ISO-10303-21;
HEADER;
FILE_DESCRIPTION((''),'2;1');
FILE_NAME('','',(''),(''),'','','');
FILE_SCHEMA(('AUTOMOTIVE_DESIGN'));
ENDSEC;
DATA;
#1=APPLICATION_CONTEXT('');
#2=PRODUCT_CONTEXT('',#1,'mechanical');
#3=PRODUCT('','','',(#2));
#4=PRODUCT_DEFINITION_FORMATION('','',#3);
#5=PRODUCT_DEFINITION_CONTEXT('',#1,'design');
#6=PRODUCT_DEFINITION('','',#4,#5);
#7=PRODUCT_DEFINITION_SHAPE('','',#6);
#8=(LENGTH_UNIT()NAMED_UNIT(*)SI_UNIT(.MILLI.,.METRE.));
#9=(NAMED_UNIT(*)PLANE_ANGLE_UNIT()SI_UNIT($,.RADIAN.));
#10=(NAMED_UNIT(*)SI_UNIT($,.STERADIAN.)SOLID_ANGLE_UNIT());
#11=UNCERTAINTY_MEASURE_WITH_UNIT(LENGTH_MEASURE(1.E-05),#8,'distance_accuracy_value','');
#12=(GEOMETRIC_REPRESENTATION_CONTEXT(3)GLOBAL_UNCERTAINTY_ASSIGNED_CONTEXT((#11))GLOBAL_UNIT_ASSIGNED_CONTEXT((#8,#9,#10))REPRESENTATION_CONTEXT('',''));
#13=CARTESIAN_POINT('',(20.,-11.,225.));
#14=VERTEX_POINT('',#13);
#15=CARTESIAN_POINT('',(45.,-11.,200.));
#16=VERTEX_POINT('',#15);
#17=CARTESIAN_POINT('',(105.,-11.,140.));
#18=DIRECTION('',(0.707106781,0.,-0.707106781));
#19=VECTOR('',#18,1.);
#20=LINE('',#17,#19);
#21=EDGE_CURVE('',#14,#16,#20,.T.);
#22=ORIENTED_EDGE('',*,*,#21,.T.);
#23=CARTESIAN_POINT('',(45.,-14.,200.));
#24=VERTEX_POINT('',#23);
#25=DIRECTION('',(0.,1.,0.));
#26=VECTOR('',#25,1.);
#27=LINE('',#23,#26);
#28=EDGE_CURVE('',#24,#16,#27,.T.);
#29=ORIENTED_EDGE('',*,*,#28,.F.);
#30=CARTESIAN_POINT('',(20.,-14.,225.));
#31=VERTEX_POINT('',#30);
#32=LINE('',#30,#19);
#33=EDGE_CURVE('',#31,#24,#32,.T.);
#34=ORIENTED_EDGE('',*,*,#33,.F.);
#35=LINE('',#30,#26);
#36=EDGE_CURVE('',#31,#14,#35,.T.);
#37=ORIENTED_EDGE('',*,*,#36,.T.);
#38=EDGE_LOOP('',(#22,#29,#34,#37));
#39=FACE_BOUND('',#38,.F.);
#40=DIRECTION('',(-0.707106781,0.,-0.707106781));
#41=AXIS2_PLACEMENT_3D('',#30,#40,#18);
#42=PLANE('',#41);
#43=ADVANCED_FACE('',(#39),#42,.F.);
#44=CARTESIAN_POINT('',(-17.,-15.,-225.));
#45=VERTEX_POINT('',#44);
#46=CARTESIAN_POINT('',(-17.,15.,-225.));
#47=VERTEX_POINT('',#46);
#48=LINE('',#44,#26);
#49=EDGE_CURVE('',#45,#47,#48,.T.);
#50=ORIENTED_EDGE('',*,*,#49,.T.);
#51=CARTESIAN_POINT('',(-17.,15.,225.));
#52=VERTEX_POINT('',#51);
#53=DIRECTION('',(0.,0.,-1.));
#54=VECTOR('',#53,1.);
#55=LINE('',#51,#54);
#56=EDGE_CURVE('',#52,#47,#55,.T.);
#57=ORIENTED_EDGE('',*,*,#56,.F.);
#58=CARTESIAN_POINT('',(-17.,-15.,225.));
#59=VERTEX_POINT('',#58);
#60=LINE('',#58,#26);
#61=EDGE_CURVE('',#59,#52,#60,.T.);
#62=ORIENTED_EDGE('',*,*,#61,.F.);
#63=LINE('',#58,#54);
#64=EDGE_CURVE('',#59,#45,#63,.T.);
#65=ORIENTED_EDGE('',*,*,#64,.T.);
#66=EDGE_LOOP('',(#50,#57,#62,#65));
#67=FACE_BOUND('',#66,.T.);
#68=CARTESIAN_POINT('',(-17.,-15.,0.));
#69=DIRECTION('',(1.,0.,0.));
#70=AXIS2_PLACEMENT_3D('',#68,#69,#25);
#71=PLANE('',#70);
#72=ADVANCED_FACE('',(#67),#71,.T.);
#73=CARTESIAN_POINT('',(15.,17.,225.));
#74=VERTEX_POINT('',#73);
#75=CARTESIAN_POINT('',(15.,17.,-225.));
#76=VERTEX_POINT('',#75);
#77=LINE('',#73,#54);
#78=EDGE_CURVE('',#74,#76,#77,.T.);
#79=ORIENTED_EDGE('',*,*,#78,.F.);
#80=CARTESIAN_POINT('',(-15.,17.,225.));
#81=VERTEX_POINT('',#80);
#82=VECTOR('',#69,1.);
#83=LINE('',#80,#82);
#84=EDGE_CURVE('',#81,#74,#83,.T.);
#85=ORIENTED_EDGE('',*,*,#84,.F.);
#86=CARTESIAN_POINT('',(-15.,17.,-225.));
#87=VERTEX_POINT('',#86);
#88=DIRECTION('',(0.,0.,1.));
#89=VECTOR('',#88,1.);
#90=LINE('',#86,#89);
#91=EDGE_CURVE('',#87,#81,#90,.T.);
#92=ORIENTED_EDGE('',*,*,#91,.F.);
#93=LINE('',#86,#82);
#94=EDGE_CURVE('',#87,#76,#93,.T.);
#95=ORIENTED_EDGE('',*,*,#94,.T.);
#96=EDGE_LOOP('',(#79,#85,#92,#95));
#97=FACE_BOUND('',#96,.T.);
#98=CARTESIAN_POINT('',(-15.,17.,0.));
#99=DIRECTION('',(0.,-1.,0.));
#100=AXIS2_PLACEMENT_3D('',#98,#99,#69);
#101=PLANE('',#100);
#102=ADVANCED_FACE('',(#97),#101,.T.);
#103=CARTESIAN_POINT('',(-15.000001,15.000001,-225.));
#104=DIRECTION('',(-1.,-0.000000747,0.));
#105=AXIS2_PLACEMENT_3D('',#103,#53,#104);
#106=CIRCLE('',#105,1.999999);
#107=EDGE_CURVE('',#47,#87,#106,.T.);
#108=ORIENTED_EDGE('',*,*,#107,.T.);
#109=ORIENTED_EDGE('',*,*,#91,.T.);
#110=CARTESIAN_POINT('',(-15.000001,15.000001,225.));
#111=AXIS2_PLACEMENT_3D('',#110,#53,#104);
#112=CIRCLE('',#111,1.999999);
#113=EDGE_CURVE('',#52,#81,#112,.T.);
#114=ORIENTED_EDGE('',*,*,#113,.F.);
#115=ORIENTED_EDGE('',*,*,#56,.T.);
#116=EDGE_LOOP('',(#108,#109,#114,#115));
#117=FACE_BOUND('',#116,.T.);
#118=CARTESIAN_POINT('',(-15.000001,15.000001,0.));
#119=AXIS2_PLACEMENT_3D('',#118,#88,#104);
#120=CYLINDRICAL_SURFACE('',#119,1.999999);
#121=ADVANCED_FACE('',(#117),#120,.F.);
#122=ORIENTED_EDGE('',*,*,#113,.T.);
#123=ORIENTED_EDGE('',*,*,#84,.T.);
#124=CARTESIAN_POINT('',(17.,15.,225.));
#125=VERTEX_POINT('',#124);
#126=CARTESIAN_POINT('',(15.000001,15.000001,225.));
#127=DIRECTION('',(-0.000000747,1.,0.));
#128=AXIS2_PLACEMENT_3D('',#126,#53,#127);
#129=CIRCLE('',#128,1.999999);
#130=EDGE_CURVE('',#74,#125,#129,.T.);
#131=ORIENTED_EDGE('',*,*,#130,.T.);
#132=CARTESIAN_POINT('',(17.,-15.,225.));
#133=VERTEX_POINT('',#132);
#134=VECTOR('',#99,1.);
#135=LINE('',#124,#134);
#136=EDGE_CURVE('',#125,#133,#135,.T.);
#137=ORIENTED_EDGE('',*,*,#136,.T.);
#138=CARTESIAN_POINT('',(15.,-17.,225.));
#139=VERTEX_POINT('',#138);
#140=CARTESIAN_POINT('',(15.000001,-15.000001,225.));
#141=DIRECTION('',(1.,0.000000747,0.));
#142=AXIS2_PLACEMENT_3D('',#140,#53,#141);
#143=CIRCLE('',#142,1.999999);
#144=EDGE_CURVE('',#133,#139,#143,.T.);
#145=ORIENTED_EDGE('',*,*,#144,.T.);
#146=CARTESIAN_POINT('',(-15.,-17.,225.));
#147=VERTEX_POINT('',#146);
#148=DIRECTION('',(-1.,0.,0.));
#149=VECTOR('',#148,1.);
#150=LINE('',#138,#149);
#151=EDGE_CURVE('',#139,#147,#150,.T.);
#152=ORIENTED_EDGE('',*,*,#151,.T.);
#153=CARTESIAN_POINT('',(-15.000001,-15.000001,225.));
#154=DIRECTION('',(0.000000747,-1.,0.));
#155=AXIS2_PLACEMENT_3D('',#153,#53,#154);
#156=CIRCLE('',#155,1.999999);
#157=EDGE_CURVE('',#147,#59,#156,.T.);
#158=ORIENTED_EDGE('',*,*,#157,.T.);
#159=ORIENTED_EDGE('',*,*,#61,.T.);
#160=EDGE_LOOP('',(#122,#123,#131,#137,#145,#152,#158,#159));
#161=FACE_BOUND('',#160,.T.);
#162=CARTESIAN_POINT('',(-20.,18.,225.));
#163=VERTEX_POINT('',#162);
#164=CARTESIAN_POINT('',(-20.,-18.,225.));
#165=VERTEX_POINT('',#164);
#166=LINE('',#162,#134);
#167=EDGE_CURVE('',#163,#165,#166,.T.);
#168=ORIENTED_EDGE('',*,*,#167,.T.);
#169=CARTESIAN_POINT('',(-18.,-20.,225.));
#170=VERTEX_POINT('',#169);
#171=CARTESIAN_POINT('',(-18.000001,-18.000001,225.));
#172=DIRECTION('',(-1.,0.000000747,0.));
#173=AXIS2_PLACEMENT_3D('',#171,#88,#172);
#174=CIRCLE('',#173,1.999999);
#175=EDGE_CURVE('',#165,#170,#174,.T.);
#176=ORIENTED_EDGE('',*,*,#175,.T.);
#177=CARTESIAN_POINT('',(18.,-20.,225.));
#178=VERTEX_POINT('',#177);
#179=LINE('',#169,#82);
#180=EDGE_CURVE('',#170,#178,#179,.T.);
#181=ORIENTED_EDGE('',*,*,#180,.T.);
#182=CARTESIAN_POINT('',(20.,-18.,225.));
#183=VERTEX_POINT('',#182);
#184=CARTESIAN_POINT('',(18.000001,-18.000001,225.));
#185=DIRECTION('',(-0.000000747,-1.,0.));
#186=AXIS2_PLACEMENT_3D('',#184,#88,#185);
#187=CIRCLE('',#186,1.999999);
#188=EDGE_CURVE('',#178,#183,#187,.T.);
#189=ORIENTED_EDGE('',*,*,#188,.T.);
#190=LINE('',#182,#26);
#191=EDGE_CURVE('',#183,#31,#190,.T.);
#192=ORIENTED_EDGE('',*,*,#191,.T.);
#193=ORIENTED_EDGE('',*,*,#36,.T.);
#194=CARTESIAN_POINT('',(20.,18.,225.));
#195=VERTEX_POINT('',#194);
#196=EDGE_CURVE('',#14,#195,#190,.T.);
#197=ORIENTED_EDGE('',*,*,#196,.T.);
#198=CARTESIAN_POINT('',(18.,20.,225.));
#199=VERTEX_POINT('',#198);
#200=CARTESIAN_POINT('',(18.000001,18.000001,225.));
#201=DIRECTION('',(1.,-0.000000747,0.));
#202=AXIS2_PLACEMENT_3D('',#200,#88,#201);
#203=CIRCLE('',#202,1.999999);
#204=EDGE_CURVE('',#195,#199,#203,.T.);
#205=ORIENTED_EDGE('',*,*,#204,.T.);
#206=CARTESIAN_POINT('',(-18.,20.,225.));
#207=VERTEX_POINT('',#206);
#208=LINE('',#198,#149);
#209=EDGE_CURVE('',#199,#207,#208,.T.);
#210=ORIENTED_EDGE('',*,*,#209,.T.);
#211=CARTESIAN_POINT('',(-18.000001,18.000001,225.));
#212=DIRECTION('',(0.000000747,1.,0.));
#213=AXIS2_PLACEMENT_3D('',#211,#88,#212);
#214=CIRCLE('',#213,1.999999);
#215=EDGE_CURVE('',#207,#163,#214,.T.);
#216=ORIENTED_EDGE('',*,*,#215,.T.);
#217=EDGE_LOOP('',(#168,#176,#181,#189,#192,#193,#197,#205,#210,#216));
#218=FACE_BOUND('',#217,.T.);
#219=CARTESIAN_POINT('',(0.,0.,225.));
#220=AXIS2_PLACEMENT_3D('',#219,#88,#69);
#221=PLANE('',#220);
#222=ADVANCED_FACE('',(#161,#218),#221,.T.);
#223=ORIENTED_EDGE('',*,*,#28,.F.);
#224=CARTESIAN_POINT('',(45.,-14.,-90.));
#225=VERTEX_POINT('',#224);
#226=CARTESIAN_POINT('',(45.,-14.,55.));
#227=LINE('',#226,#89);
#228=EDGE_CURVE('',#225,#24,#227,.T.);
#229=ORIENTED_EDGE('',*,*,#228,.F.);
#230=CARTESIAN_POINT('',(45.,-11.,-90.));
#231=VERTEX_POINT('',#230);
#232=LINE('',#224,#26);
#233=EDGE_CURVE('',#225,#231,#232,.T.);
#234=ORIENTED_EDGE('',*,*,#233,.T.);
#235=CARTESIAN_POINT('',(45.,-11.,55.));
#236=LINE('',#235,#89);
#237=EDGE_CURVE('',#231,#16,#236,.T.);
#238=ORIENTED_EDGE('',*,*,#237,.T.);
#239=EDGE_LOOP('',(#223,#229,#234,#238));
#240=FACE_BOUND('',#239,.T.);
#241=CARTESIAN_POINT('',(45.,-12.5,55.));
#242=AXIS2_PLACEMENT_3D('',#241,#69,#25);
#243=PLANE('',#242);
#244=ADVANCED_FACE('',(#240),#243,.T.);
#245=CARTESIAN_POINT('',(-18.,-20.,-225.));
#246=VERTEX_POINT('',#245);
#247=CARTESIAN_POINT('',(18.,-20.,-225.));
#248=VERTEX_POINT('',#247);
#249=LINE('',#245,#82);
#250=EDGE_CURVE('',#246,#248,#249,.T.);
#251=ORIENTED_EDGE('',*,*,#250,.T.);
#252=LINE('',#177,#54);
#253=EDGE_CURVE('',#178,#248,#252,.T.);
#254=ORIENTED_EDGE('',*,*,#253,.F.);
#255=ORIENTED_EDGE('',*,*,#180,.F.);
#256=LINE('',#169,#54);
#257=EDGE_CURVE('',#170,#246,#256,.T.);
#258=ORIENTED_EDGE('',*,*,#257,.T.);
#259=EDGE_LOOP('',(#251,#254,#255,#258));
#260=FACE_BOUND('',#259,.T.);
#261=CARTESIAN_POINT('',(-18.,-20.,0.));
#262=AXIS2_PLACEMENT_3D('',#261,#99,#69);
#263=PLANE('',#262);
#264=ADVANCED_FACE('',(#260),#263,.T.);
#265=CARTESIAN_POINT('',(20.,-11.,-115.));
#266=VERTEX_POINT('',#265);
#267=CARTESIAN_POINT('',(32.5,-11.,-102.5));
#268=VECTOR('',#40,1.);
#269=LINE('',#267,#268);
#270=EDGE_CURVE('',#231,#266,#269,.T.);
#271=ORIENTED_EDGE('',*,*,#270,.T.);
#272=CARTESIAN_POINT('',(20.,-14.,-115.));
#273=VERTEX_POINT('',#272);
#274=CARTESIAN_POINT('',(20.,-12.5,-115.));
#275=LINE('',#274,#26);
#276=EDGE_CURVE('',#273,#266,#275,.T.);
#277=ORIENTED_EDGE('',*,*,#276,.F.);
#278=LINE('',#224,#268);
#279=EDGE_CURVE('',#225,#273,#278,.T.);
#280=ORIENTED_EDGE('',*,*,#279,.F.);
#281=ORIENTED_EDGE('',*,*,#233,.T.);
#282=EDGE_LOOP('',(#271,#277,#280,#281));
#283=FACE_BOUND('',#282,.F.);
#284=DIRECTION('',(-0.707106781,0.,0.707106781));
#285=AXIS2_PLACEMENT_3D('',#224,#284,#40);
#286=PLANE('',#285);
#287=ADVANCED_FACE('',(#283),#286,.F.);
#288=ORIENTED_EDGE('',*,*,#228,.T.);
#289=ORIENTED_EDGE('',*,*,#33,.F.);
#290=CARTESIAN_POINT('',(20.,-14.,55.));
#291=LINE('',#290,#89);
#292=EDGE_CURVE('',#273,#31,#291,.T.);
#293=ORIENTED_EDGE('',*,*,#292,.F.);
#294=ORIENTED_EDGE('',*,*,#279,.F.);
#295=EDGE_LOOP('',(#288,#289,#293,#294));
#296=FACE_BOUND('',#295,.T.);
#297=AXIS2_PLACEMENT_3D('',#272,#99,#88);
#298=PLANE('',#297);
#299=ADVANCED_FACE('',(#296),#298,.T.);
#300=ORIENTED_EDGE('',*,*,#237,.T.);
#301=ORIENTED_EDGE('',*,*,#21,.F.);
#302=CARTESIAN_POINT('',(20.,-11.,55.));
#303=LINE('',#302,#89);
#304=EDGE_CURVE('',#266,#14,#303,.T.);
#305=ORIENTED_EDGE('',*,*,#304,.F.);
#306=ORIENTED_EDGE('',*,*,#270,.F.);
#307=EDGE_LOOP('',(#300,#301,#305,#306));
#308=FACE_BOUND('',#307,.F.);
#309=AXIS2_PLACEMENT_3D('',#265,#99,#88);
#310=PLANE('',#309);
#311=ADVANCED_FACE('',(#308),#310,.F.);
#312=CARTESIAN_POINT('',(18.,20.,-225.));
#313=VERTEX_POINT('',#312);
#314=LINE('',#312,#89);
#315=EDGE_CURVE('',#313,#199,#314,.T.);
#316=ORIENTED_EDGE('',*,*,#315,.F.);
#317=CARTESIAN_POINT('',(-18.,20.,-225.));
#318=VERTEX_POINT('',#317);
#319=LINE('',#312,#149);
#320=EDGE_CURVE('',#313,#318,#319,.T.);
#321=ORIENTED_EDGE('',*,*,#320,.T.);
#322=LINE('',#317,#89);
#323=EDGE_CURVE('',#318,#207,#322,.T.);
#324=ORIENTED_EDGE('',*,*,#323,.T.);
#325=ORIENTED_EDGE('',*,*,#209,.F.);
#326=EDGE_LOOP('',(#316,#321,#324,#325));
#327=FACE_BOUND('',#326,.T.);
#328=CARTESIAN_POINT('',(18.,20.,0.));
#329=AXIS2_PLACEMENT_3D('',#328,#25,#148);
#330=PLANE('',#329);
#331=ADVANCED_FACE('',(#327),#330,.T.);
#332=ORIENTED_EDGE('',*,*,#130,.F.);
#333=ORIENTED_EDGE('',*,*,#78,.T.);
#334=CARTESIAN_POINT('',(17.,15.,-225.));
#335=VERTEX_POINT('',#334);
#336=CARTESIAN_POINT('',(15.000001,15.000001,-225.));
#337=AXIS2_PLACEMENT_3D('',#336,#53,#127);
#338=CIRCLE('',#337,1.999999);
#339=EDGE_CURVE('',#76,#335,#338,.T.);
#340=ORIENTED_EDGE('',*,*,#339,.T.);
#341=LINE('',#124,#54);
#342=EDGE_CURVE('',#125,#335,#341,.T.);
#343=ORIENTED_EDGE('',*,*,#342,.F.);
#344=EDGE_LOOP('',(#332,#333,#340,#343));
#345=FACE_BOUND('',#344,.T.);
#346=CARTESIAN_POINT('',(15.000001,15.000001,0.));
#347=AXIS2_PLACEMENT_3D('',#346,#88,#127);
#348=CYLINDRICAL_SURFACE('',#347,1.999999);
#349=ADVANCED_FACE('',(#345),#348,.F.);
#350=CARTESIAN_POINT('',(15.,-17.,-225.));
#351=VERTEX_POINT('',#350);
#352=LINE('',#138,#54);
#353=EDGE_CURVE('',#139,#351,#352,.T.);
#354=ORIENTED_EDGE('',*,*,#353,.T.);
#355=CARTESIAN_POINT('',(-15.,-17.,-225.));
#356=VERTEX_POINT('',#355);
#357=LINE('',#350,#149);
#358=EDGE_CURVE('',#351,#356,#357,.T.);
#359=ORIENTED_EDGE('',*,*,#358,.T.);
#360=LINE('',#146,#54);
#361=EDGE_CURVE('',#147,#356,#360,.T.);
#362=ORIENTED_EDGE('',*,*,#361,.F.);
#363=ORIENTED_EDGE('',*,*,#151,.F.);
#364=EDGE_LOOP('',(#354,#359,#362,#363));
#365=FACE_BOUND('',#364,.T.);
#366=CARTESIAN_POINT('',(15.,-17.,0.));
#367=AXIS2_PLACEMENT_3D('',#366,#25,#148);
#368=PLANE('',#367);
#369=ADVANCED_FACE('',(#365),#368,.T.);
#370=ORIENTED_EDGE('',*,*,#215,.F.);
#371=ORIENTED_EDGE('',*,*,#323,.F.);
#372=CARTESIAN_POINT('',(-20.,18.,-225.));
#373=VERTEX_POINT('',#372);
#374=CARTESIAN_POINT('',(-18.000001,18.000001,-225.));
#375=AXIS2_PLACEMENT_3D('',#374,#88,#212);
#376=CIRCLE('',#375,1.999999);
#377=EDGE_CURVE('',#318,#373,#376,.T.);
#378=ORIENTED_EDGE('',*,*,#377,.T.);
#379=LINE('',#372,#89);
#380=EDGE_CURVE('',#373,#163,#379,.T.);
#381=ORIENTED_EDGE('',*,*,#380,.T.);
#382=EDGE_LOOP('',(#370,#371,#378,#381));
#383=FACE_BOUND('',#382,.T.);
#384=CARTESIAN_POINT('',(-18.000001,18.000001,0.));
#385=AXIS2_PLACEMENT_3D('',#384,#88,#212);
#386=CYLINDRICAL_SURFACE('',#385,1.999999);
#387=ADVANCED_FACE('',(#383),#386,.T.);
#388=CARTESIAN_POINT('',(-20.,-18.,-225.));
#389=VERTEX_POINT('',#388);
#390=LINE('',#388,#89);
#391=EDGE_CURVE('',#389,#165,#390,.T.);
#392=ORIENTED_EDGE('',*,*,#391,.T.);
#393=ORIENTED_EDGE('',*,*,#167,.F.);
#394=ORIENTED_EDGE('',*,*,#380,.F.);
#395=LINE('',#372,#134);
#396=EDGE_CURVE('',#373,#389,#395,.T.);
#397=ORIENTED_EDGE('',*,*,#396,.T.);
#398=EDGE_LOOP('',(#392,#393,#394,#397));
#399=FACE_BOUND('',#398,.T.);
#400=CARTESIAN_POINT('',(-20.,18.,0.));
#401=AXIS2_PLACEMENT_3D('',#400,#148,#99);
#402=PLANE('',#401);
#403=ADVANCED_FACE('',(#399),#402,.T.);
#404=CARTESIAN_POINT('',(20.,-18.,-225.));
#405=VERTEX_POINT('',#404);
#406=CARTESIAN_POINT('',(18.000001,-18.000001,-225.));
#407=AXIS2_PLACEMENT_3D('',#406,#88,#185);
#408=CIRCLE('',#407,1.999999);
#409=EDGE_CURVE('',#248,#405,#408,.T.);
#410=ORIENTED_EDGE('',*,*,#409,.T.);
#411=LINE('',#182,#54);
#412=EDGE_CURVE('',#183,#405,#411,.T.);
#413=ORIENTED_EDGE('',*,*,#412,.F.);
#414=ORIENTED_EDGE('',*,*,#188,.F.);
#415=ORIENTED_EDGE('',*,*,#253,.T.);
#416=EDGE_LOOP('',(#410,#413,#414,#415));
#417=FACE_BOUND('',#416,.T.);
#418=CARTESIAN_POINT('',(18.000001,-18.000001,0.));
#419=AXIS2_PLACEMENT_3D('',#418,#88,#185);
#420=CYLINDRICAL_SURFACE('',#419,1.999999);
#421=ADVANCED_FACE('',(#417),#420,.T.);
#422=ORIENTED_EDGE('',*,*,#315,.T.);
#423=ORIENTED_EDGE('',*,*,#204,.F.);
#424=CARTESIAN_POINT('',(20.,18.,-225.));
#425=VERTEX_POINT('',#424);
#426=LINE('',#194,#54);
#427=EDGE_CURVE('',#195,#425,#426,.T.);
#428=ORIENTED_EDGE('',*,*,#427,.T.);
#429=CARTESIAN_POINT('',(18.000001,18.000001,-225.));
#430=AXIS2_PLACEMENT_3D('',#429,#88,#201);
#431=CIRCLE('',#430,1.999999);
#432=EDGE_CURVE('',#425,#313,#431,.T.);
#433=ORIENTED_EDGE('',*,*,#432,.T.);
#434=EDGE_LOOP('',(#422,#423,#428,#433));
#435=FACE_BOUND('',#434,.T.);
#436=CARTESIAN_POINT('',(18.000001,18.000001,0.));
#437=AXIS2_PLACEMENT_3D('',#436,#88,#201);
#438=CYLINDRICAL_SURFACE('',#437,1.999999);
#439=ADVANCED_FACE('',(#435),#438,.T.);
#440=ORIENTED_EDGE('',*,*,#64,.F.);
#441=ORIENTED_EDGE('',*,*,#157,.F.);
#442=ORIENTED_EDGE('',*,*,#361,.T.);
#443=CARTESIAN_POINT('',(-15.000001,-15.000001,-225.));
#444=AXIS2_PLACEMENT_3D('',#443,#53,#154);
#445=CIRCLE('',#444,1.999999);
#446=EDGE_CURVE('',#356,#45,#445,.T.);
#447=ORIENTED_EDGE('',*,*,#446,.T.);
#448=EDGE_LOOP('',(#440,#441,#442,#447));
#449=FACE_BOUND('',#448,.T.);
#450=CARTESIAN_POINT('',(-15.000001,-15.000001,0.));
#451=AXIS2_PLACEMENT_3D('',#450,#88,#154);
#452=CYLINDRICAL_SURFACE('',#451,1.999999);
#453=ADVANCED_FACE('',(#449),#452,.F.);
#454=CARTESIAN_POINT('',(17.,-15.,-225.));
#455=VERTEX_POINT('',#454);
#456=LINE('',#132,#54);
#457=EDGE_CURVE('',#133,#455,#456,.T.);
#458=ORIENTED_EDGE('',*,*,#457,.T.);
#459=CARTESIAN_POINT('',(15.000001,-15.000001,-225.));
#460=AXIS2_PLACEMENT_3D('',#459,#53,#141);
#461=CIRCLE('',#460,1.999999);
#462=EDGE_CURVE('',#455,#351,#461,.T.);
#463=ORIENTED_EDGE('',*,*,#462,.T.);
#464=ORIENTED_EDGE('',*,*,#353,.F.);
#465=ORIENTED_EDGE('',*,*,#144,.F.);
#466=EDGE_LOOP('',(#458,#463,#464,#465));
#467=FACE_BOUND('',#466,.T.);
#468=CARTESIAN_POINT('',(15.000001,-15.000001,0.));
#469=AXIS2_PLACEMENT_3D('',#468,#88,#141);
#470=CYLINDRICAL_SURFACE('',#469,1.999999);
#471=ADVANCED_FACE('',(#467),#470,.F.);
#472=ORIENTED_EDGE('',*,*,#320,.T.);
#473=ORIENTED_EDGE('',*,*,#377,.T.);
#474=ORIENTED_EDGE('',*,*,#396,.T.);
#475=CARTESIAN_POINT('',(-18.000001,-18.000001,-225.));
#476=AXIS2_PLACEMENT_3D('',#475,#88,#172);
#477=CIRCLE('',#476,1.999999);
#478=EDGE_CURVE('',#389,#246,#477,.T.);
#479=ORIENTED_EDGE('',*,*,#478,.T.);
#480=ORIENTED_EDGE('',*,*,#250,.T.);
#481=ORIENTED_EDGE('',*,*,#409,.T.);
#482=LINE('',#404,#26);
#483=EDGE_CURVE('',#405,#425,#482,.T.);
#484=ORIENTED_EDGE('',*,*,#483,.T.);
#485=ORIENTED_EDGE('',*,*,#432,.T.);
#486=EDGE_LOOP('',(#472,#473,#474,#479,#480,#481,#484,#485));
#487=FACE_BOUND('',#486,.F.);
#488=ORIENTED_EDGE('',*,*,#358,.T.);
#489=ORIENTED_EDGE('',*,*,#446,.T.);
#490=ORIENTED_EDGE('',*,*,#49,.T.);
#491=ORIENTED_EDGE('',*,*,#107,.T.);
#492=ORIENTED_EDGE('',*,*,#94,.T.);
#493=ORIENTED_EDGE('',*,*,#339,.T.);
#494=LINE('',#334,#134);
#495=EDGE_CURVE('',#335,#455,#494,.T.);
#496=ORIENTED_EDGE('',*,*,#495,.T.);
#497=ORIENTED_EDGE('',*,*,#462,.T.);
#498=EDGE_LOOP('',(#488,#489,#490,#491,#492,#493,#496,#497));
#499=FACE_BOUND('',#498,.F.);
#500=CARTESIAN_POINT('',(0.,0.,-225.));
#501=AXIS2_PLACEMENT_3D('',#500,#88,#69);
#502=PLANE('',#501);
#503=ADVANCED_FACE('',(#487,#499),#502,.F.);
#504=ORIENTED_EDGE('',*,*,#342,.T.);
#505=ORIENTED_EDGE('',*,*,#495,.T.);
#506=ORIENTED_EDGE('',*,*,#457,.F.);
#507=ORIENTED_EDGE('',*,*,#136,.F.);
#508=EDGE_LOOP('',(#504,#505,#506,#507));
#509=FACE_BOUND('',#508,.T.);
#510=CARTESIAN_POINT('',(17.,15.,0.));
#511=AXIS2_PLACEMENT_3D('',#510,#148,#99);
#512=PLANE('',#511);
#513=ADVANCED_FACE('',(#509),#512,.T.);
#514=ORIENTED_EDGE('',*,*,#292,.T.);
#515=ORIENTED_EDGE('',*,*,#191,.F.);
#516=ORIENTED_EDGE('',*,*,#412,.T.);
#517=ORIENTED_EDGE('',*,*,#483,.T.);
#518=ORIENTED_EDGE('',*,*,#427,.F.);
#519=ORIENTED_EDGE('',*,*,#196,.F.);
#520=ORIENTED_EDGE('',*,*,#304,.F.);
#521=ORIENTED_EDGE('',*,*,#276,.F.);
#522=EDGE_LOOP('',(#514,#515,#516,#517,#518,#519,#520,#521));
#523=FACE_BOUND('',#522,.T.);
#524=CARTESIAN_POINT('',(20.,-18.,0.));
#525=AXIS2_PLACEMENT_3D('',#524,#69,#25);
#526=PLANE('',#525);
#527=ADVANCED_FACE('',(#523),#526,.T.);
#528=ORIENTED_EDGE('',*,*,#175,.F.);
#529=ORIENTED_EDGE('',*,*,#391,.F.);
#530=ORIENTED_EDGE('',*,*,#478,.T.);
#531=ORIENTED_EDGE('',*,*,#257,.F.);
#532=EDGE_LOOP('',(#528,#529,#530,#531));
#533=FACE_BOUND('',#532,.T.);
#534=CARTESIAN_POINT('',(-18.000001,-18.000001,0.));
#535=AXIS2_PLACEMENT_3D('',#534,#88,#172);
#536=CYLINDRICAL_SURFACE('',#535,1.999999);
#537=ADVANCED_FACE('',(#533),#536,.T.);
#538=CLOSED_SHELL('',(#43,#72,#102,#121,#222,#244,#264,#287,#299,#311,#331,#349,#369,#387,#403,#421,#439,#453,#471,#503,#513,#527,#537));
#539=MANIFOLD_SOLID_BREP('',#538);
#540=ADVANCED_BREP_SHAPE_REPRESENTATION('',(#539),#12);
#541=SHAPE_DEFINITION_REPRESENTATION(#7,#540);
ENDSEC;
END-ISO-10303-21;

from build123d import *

# Parameters (mm, degrees)
F1_DEPTH = 225
F2_W     = 3
F2_H     = 340
F3_DEPTH = 25
F5_DEPTH = 34.001


with BuildPart() as f1:
    # F0 (on Top) → F1 (new body, symmetric)
    with BuildSketch(Plane.XY):
        with BuildLine():
            ThreePointArc((20, 18), (19.414214, 19.414214), (18, 20))
            Line((18, 20), (-18, 20))
            ThreePointArc((-18, 20), (-19.414214, 19.414214), (-20, 18))
            Line((-20, 18), (-20, -18))
            ThreePointArc((-20, -18), (-19.414214, -19.414214), (-18, -20))
            Line((-18, -20), (18, -20))
            ThreePointArc((18, -20), (19.414214, -19.414214), (20, -18))
            Line((20, -18), (20, 18))
        make_face()
        with BuildLine():
            Line((-15, 17), (15, 17))
            ThreePointArc((15, 17), (16.414214, 16.414214), (17, 15))
            Line((17, 15), (17, -15))
            ThreePointArc((17, -15), (16.414214, -16.414214), (15, -17))
            Line((15, -17), (-15, -17))
            ThreePointArc((-15, -17), (-16.414214, -16.414214), (-17, -15))
            Line((-17, -15), (-17, 15))
            ThreePointArc((-17, 15), (-16.414214, 16.414214), (-15, 17))
        make_face(mode=Mode.SUBTRACT)
    extrude(amount=F1_DEPTH, both=True)

    # F2 (on face) → F3 (join)
    with BuildSketch(Plane.YZ.offset(20)):
        with Locations((-12.5, 55)):
            Rectangle(F2_W, F2_H)
    extrude(amount=F3_DEPTH)

    # F4 (on face) → F5 (cut, through all)
    with BuildSketch(Plane.XZ.offset(14)):
        Polygon((45, 225), (20, 225), (45, 200), align=None)
        Polygon((45, -115), (45, -90), (20, -115), align=None)
    extrude(amount=-F5_DEPTH, mode=Mode.SUBTRACT)


solid = f1.part
